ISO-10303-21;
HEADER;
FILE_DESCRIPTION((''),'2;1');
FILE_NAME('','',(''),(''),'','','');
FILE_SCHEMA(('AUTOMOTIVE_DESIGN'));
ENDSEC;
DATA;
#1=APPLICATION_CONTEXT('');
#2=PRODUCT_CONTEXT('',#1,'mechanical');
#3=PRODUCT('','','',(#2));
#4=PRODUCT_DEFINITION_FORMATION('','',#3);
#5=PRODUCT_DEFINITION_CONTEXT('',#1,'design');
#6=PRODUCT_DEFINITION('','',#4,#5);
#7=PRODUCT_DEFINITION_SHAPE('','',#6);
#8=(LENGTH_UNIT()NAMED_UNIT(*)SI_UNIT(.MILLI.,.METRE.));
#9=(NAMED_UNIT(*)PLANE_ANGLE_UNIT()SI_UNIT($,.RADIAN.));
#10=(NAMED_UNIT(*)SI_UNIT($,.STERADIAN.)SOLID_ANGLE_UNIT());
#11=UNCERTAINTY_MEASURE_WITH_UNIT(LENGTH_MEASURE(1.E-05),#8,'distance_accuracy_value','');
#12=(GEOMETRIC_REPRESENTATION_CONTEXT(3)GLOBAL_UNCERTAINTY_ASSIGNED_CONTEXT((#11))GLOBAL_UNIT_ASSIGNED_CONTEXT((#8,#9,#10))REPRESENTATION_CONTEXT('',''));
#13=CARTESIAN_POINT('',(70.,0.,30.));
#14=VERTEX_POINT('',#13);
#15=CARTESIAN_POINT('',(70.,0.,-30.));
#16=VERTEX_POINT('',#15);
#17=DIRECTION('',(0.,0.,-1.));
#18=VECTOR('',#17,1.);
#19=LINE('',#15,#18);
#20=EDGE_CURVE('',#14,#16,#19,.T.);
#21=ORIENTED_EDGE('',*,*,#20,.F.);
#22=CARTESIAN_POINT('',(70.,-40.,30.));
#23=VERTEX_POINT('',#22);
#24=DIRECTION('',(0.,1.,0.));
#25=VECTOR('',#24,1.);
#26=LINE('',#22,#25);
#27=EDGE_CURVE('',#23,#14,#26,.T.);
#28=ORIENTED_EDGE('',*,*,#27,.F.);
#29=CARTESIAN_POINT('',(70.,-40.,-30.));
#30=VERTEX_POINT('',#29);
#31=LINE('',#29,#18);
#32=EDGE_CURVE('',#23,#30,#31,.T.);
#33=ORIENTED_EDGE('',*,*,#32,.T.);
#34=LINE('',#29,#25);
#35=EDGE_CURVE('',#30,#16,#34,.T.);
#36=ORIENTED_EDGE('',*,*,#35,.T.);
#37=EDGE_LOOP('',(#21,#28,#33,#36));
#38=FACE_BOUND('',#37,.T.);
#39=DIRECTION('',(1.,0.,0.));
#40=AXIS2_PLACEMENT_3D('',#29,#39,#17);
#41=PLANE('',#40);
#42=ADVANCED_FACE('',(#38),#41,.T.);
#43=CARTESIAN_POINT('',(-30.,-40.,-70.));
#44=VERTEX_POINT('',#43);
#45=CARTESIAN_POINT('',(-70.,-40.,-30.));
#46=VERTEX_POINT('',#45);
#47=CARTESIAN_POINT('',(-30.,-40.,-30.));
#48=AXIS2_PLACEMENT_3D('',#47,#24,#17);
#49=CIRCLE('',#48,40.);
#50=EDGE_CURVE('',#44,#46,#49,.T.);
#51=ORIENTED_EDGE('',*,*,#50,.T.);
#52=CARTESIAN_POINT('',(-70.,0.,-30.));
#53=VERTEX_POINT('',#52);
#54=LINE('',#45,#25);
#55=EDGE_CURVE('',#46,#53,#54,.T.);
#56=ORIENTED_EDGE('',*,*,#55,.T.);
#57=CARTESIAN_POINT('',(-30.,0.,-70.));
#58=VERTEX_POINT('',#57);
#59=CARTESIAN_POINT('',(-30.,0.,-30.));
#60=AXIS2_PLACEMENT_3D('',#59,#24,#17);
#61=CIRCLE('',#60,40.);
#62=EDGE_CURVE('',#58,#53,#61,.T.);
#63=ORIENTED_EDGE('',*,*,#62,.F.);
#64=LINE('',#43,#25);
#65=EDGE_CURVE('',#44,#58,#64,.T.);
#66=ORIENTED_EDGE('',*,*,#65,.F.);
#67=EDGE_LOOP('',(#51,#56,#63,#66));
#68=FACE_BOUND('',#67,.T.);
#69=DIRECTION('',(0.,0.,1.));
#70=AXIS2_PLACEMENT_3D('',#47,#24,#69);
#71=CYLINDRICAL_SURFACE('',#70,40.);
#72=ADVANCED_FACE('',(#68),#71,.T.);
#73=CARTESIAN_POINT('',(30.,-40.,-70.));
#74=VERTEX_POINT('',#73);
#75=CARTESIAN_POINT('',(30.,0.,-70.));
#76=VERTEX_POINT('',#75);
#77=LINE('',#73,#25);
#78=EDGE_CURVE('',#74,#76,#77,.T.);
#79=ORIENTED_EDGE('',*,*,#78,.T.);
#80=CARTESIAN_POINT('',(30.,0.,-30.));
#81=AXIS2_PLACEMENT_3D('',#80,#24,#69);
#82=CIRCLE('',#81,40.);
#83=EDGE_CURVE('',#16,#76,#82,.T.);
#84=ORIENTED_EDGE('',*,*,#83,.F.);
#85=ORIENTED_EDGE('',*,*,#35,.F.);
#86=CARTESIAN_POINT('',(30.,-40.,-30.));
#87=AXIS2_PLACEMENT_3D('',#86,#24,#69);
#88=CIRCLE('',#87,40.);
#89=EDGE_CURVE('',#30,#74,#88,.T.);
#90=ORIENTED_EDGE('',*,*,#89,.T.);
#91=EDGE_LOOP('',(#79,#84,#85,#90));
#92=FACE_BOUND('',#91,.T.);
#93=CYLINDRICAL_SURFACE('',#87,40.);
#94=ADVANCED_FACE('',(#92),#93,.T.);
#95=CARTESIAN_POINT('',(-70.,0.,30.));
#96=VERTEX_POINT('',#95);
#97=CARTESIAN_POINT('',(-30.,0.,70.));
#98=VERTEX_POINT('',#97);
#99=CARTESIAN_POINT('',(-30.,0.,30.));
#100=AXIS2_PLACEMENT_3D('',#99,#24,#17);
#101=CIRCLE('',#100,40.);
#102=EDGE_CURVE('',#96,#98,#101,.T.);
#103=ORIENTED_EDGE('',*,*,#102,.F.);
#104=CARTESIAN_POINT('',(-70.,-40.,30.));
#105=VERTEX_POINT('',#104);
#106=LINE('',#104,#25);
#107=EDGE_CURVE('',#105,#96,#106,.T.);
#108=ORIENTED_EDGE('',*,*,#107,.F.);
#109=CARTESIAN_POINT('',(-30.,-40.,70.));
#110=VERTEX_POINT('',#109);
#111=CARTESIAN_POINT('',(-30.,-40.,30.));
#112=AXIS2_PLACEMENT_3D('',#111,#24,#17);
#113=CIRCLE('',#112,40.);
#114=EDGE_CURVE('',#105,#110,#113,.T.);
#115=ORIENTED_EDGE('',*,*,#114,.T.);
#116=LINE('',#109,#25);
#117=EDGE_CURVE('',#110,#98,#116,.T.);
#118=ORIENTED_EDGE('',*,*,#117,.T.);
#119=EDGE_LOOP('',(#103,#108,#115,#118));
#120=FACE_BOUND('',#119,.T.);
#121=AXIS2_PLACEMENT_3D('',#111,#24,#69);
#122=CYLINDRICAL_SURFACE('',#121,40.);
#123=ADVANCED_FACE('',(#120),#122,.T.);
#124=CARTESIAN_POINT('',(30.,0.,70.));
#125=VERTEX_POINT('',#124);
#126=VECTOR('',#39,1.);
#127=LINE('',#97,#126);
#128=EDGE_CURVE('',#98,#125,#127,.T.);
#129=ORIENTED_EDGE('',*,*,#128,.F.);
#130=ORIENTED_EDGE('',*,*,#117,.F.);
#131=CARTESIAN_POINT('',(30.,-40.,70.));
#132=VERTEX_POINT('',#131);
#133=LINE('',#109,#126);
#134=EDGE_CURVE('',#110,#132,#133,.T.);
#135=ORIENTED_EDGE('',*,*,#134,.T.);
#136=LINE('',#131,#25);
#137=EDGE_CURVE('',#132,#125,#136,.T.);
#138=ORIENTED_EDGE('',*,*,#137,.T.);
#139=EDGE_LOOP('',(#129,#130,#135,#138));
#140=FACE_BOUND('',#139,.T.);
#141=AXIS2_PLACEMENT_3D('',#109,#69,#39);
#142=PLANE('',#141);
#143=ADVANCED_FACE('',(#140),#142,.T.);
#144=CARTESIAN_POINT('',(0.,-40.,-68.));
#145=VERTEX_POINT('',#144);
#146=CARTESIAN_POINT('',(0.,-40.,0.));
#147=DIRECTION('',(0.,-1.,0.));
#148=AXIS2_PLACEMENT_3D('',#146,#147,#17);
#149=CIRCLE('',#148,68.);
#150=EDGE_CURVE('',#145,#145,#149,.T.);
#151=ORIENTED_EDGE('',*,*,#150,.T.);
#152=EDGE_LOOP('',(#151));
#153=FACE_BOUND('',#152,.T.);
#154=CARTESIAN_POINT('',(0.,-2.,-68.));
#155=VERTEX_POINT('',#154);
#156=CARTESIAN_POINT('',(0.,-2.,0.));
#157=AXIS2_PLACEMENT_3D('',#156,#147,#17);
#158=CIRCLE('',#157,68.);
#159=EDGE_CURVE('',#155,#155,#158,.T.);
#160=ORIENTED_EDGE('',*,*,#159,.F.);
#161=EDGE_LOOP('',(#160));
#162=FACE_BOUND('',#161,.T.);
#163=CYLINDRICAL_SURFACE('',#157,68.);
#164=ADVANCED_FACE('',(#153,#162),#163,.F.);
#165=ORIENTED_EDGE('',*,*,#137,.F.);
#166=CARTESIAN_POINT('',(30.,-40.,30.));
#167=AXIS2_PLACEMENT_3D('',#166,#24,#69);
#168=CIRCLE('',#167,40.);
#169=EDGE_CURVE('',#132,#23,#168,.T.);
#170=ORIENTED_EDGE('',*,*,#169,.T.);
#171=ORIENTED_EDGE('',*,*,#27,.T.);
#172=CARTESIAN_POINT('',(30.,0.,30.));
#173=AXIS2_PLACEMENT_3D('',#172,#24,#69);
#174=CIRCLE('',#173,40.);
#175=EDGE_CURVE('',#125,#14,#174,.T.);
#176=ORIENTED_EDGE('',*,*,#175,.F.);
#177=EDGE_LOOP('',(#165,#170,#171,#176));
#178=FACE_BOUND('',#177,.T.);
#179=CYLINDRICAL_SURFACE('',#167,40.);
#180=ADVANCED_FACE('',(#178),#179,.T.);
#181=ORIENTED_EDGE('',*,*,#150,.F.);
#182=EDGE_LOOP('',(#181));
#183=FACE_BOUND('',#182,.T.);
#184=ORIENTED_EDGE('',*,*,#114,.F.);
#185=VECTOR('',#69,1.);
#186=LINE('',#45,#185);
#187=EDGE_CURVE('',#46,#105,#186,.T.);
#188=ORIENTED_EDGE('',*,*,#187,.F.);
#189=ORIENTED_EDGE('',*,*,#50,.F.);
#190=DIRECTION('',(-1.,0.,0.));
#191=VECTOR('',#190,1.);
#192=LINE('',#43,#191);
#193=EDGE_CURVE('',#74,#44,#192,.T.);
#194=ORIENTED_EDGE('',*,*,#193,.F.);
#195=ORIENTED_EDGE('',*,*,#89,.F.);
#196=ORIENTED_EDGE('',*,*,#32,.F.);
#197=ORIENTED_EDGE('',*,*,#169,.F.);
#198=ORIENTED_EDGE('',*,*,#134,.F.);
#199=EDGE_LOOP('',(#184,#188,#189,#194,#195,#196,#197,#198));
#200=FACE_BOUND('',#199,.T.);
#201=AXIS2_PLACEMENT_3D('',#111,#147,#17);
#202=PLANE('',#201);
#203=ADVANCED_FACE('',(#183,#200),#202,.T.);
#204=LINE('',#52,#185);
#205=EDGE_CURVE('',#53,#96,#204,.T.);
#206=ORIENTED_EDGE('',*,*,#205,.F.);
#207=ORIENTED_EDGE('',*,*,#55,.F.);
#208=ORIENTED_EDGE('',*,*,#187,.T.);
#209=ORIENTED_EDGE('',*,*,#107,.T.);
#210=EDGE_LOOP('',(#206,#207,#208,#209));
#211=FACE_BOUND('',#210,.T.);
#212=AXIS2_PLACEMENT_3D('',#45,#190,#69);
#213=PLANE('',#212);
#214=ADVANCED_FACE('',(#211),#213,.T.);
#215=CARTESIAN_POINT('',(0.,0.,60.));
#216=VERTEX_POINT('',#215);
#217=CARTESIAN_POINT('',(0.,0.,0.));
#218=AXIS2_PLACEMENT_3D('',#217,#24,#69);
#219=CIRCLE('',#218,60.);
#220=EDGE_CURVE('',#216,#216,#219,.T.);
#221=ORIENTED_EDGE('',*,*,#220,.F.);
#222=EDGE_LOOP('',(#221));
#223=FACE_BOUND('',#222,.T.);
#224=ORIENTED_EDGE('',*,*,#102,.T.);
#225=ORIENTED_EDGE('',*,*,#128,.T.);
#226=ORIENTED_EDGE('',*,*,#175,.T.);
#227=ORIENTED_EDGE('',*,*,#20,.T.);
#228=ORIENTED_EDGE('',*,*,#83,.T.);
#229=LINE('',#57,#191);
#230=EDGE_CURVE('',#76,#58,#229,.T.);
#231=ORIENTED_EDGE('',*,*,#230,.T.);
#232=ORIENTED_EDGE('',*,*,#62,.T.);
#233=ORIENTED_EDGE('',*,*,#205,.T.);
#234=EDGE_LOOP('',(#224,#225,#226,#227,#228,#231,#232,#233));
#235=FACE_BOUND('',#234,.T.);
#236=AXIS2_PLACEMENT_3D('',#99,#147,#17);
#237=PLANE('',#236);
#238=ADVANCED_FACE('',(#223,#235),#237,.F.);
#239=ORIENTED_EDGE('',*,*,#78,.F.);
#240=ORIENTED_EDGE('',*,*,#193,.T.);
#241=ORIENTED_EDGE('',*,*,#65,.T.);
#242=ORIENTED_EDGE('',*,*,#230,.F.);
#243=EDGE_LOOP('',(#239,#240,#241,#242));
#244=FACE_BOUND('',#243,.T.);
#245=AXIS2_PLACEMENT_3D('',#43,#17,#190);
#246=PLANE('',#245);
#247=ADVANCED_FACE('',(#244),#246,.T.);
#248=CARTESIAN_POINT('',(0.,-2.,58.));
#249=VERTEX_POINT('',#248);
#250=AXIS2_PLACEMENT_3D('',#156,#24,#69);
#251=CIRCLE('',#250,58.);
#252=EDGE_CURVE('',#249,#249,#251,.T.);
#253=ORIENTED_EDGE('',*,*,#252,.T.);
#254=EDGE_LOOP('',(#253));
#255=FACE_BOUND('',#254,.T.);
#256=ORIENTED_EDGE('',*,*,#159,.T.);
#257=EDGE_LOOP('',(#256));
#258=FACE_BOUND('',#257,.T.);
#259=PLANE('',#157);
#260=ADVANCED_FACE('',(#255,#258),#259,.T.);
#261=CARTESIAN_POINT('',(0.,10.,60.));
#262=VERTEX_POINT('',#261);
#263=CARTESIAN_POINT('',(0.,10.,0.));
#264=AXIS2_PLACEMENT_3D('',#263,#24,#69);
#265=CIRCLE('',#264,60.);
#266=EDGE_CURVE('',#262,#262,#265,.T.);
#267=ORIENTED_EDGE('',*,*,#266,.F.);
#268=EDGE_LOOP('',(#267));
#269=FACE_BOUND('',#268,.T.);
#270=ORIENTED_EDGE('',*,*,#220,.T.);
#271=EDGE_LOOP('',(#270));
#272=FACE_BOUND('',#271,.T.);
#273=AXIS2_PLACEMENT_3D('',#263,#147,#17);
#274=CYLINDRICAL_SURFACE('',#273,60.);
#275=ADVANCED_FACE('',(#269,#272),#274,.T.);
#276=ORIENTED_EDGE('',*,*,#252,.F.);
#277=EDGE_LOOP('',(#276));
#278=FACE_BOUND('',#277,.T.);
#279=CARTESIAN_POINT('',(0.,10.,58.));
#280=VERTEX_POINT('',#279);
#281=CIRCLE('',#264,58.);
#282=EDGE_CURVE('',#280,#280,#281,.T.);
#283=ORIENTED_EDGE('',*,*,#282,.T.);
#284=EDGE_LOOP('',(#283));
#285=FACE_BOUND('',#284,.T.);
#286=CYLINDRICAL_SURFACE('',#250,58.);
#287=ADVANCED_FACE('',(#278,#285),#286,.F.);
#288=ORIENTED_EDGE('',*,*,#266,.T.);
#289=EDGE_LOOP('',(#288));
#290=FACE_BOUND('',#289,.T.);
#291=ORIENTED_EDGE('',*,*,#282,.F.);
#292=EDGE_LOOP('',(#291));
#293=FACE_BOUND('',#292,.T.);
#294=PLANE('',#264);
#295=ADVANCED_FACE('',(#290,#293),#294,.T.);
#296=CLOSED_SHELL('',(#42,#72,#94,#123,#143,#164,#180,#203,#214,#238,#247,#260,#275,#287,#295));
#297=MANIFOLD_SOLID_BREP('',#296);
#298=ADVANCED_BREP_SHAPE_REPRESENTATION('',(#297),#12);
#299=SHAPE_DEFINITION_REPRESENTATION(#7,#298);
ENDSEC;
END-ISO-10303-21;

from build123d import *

# Parameters (mm, degrees)
BOSS_EXTRUDE1_DEPTH = 40
SKETCH2_R           = 60
BOSS_EXTRUDE2_DEPTH = 10
SKETCH3_R           = 58
CUT_EXTRUDE1_DEPTH  = 12
SKETCH5_R           = 68
CUT_EXTRUDE3_DEPTH  = 38


with BuildPart() as part:
    # Sketch1 → Boss-Extrude1 (new body)
    with BuildSketch(Plane(origin=(0, 0, 0), x_dir=(1, 0, 0), z_dir=(0, 1, 0))):
        with BuildLine():
            Line((-30, 70), (30, 70))
            ThreePointArc((30, 70), (58.284271247, 58.284271247), (70, 30))
            Line((70, 30), (70, -30))
            ThreePointArc((70, -30), (58.284271247, -58.284271247), (30, -70))
            Line((30, -70), (-30, -70))
            ThreePointArc((-30, -70), (-58.284271247, -58.284271247), (-70, -30))
            Line((-70, -30), (-70, 30))
            ThreePointArc((-70, 30), (-58.284271247, 58.284271247), (-30, 70))
        make_face()
    extrude(amount=-BOSS_EXTRUDE1_DEPTH)

    # Sketch2 → Boss-Extrude2 (add)
    with BuildSketch(Plane(origin=(0, 0, 0), x_dir=(1, 0, 0), z_dir=(0, 1, 0))):
        with Locations(Location((0, 0, 0), (0, 0, 270))):
            Circle(SKETCH2_R)
    extrude(amount=BOSS_EXTRUDE2_DEPTH)

    # Sketch3 → Cut-Extrude1 (cut)
    with BuildSketch(Plane(origin=(0, 10, 0), x_dir=(1, 0, 0), z_dir=(0, 1, 0))):
        with Locations(Location((0, 0, 0), (0, 0, 270))):
            Circle(SKETCH3_R)
    extrude(amount=-CUT_EXTRUDE1_DEPTH, mode=Mode.SUBTRACT)

    # Sketch5 → Cut-Extrude3 (cut)
    with BuildSketch(Plane.XZ.offset(40)):
        with Locations(Location((0, 0, 0), (0, 0, 270))):
            Circle(SKETCH5_R)
    extrude(amount=-CUT_EXTRUDE3_DEPTH, mode=Mode.SUBTRACT)


solid = part.part
